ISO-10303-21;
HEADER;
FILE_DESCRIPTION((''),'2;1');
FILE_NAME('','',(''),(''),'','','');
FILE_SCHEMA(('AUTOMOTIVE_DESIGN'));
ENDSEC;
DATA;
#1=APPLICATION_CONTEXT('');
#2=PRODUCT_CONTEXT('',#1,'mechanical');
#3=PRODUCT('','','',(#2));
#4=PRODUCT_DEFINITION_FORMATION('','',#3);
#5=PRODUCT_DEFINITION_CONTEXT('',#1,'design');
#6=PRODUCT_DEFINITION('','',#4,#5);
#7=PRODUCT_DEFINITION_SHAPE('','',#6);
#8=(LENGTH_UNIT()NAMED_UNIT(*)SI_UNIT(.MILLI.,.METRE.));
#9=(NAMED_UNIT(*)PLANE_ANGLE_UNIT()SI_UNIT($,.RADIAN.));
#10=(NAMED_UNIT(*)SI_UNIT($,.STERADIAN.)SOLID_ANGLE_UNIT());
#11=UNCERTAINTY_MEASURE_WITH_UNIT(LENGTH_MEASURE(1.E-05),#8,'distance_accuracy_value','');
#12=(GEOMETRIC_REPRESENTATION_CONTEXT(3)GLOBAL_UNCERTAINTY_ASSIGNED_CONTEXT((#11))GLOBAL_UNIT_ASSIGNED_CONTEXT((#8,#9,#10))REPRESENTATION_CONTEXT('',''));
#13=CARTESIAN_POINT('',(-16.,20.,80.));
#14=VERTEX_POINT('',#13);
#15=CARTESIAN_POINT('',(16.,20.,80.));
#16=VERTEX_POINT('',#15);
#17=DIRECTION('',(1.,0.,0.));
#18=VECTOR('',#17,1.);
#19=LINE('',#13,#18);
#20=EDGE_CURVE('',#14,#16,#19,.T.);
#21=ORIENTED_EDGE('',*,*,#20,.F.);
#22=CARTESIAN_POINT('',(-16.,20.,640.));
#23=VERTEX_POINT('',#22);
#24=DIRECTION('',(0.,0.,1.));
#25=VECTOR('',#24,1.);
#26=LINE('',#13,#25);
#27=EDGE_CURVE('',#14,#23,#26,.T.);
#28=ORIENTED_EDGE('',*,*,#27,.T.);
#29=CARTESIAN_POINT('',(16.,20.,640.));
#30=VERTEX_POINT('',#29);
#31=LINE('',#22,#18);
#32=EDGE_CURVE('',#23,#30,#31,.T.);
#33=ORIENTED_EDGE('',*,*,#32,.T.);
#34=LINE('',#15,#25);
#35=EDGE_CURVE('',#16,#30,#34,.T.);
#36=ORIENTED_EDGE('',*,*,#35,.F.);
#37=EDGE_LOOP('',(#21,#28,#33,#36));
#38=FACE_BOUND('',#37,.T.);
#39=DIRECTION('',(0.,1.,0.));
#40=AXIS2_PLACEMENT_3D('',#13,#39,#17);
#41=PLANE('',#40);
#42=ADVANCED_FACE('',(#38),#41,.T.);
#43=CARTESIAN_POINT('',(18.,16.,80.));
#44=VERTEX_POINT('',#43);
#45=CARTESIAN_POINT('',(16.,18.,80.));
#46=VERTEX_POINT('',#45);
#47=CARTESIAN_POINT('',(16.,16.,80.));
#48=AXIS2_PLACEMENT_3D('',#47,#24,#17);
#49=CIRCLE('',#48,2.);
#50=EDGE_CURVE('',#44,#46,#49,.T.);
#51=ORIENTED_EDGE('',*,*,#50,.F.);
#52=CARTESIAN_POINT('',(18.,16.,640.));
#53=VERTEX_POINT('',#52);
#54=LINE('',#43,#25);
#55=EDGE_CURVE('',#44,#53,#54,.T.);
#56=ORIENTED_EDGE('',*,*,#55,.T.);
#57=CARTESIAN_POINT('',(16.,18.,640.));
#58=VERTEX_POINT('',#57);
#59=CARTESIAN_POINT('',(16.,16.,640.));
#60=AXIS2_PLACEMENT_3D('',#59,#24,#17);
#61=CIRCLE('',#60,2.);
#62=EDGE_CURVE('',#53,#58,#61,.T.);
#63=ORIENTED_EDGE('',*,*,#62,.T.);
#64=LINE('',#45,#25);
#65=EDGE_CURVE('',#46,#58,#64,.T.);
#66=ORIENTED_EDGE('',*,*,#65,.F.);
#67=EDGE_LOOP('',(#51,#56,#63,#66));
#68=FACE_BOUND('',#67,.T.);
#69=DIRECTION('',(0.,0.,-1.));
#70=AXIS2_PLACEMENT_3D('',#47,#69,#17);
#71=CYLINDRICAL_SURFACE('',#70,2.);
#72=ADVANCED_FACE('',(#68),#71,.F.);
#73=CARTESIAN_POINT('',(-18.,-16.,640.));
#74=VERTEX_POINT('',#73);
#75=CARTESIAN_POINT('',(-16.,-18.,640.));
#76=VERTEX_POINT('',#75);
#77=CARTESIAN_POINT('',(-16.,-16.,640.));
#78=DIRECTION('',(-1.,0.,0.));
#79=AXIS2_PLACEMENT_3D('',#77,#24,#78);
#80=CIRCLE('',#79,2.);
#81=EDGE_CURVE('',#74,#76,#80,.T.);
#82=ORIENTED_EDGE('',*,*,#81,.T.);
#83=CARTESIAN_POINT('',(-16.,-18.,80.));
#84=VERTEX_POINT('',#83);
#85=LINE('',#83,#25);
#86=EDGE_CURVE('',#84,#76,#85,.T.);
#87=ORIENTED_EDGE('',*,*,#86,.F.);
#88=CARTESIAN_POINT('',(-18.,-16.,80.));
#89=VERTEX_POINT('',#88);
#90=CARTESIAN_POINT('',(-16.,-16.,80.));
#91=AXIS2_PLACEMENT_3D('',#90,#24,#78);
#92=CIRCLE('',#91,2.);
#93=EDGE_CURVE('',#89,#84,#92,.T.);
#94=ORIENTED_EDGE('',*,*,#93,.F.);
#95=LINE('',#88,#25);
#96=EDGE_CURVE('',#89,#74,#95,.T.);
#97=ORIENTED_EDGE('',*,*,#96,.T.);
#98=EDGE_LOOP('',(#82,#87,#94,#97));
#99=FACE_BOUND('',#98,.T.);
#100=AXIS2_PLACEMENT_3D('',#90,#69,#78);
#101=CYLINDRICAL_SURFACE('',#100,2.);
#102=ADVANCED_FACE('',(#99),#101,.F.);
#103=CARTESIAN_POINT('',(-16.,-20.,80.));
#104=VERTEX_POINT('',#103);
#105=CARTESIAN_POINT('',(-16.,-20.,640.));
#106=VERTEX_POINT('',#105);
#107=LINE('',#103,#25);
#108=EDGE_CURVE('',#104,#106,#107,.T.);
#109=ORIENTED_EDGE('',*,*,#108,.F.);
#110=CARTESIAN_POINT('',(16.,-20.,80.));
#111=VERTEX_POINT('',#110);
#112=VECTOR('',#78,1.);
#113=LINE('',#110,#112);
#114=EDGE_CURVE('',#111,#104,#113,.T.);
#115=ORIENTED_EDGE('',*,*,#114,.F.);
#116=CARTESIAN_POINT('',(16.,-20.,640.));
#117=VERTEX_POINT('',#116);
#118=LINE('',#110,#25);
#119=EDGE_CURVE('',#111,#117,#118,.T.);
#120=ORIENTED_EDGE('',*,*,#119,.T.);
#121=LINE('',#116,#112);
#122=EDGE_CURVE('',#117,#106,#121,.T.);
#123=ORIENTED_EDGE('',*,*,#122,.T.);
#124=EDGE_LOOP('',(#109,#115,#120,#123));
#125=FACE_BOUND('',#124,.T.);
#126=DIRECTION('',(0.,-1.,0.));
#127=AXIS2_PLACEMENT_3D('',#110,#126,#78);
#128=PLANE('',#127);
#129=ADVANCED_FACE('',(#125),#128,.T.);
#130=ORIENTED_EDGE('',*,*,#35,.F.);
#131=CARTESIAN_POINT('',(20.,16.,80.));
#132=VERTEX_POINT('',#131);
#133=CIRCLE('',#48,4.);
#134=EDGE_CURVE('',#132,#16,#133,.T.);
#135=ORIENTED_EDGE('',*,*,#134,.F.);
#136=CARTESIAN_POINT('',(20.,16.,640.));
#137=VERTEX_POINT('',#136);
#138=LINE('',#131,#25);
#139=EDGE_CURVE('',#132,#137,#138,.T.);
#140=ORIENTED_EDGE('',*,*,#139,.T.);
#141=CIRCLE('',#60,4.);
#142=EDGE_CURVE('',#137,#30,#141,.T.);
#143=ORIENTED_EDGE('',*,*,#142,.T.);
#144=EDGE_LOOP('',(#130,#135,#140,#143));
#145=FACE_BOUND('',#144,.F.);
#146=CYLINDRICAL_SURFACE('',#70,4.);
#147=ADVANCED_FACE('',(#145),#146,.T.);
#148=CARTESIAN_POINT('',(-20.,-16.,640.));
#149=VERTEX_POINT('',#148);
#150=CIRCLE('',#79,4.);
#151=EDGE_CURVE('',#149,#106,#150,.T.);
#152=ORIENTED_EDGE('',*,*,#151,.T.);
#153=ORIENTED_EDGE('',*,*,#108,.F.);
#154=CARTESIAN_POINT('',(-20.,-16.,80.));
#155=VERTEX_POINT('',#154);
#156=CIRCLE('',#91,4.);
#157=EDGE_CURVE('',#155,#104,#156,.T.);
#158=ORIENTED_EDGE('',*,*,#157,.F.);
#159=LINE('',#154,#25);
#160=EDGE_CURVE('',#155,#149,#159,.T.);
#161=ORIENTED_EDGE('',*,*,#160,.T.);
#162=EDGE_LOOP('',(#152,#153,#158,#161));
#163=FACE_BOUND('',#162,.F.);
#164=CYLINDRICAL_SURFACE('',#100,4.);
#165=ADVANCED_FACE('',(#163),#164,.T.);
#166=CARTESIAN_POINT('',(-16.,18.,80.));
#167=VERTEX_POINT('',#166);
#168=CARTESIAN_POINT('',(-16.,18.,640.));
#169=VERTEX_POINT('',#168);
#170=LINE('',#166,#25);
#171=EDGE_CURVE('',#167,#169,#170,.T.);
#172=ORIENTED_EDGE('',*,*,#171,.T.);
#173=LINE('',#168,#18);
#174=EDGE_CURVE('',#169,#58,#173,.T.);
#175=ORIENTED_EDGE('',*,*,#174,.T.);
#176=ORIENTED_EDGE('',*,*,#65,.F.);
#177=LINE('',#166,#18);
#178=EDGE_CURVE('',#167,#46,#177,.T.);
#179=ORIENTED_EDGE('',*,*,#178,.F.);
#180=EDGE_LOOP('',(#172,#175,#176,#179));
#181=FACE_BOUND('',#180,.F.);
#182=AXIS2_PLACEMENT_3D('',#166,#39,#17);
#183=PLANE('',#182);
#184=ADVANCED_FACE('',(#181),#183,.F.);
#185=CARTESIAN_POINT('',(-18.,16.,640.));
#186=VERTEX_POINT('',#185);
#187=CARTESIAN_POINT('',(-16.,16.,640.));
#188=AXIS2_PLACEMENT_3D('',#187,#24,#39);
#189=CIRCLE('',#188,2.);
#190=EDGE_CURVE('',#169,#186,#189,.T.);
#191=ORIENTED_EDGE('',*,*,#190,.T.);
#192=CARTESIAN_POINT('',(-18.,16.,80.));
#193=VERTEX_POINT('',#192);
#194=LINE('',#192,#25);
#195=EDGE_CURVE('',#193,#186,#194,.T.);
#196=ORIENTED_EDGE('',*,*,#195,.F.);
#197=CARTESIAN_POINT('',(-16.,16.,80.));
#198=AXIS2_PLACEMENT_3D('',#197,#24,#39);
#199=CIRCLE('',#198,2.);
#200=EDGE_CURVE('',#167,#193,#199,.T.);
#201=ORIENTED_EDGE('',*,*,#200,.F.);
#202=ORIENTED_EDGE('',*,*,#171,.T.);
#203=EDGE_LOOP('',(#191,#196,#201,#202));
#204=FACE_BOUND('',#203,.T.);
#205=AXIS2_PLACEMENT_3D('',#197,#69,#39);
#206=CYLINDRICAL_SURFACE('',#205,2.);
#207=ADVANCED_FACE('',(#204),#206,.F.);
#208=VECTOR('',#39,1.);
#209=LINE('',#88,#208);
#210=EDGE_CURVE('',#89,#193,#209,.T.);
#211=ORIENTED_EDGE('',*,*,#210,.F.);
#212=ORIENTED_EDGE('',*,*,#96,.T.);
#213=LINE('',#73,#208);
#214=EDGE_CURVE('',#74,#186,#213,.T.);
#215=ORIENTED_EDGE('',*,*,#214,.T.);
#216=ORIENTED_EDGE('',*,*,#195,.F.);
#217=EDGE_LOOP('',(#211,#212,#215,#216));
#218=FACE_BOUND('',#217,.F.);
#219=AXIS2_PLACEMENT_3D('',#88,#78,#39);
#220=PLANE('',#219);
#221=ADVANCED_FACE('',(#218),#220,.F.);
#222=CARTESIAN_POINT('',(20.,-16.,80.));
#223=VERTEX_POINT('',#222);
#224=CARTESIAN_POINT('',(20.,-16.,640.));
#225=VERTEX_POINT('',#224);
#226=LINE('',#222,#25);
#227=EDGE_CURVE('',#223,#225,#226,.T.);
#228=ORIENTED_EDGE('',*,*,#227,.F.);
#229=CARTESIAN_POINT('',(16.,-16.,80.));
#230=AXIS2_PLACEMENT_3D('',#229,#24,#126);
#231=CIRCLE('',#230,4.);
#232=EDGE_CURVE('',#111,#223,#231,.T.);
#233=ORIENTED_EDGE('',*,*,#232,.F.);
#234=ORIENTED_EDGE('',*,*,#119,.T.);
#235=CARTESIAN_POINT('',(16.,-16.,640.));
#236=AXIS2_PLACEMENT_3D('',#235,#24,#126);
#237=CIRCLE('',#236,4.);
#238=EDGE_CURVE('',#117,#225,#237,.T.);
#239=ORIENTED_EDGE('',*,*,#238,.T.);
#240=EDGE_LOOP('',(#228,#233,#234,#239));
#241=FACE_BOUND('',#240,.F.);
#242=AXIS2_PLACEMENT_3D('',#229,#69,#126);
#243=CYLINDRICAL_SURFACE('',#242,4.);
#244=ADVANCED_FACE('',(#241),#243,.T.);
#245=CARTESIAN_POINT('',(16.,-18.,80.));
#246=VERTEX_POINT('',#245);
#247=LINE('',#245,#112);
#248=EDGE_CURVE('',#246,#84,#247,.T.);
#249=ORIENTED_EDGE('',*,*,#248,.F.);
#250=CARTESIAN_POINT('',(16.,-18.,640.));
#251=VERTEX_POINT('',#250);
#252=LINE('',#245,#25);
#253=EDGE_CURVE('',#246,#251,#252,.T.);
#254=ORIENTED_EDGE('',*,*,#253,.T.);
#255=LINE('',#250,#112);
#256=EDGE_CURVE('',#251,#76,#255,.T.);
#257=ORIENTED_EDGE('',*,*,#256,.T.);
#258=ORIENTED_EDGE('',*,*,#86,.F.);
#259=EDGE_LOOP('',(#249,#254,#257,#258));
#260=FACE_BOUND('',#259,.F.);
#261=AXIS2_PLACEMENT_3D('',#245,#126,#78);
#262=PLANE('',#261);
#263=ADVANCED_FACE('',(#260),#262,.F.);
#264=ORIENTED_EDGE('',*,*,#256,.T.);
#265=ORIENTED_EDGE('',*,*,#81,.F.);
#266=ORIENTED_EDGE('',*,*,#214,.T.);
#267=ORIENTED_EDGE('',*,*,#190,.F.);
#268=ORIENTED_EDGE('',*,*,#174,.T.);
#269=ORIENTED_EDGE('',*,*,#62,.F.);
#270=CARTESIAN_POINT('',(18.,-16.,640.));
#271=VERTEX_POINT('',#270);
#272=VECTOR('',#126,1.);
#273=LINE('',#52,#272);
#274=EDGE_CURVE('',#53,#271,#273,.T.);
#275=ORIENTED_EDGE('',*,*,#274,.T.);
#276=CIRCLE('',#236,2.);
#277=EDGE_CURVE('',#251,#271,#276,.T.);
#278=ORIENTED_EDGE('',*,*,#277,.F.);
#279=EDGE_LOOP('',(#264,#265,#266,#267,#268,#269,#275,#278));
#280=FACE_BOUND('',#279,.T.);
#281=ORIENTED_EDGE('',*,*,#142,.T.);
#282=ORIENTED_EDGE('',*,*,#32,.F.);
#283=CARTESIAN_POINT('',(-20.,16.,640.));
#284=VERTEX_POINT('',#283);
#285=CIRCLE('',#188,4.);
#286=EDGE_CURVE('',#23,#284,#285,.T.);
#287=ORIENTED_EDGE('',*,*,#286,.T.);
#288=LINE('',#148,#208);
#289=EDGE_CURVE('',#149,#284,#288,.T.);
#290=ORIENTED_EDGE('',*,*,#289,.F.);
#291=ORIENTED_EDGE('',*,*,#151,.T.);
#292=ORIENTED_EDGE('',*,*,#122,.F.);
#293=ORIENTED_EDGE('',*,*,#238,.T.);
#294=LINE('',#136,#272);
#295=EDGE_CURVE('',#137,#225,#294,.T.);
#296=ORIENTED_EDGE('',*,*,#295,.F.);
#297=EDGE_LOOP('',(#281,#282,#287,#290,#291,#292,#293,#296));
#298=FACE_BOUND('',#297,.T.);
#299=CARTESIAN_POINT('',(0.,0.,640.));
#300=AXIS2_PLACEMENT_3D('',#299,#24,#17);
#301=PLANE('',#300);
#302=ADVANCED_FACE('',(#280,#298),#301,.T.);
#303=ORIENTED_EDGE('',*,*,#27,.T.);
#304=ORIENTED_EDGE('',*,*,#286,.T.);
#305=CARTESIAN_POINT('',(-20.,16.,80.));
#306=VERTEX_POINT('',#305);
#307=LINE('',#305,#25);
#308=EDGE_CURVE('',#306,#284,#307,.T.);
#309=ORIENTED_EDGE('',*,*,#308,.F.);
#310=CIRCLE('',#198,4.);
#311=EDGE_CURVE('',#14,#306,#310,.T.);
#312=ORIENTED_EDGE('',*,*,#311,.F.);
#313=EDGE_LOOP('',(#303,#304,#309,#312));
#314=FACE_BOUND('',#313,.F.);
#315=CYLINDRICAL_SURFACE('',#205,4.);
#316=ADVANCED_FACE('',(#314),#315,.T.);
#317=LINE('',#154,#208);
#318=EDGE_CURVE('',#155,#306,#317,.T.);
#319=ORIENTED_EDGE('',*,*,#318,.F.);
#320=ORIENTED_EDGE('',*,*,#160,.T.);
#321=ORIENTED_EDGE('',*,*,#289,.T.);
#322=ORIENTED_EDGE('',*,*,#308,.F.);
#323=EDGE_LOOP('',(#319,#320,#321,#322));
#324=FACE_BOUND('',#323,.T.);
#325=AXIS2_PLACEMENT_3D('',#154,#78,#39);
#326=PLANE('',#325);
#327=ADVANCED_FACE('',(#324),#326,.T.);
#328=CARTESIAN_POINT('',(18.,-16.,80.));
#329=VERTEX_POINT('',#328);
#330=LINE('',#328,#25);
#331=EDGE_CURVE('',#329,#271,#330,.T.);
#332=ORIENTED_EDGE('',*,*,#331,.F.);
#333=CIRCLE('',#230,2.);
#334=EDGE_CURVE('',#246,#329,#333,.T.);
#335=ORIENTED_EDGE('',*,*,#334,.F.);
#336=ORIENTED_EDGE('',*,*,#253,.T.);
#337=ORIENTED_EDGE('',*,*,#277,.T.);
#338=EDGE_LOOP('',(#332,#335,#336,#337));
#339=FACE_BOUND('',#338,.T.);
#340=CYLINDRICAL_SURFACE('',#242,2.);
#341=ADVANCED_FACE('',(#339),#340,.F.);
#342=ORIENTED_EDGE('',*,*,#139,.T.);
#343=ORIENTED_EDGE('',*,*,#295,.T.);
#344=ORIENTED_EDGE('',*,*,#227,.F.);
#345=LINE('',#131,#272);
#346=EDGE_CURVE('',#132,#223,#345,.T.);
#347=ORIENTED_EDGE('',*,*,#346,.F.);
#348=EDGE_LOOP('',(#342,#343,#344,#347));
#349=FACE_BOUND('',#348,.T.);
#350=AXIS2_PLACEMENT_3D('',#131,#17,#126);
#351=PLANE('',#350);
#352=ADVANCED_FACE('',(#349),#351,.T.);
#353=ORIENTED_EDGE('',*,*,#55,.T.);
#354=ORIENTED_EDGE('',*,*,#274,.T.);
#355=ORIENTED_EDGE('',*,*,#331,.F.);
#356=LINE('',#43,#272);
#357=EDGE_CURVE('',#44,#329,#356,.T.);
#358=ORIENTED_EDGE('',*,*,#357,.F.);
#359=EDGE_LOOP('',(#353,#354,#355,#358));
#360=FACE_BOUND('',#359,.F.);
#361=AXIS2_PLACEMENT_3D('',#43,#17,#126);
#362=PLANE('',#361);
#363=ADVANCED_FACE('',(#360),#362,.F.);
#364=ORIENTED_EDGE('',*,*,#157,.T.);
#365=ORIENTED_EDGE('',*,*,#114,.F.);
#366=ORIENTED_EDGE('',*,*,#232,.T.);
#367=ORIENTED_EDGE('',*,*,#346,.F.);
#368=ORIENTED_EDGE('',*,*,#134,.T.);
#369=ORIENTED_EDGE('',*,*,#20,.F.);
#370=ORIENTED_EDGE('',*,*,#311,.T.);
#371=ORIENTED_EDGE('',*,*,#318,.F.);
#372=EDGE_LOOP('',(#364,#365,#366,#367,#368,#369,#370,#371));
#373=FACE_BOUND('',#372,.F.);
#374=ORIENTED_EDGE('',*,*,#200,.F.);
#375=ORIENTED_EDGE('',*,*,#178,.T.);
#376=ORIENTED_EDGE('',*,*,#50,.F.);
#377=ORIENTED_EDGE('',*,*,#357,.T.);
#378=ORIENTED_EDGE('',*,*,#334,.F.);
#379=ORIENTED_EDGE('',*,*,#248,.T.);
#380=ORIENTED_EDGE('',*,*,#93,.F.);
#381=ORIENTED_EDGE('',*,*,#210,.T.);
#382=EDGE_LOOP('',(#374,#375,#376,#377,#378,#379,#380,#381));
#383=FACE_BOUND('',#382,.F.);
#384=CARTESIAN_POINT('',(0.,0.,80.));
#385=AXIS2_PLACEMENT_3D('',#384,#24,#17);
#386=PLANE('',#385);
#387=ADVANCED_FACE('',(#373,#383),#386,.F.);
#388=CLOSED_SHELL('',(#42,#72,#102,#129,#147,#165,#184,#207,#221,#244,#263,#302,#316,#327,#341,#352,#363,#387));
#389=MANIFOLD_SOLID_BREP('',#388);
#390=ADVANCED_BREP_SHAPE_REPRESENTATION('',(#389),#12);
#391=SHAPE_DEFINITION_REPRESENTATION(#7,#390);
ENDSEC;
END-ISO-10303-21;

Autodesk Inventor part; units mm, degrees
ref_plane "YZ Plane" through (0, 0, 0) normal (1, 0, 0) x (0, 1, 0)
ref_plane "Start Plane" through (0, 0, 80) normal (0, 0, 1) x (1, 0, 0)
ref_plane "End Plane" through (0, 0, 640) normal (0, 0, 1) x (1, 0, 0)
sketch "Sketch" plane through (0, 0, 0) normal (0, 0, 1) x (1, 0, 0)
  line L0 (-20, -16) -> (-20, 16)
  line L1 (-16, 20) -> (16, 20)
  line L2 (20, 16) -> (20, -16)
  line L3 (16, -20) -> (-16, -20)
  arc A0 (-20, -16) -> (-16, -20) centre (-16, -16) ccw
  arc A1 (20, 16) -> (16, 20) centre (16, 16) ccw
  arc A2 (-16, 20) -> (-20, 16) centre (-16, 16) ccw
  arc A3 (16, -20) -> (20, -16) centre (16, -16) ccw
  arc A4 (-16, 18) -> (-18, 16) centre (-16, 16) ccw
  line L4 (-16, 18) -> (16, 18)
  arc A5 (18, 16) -> (16, 18) centre (16, 16) ccw
  line L5 (18, 16) -> (18, -16)
  arc A6 (16, -18) -> (18, -16) centre (16, -16) ccw
  line L6 (16, -18) -> (-16, -18)
  arc A7 (-18, -16) -> (-16, -18) centre (-16, -16) ccw
  line L7 (-18, -16) -> (-18, 16)
  line L8 (0, 29.1598) -> (0, -29.1598) construction
  line L9 (-29.1598, 0) -> (29.1598, 0) construction
  dimension "d7" = 4
  dimension "d9" = 40
  dimension "d11" = 40
  dimension "d12" = 2
  dimension "d15" = 20
  dimension "d16" = 20
extrude "Body" add sketch "Sketch" along normal up to surface (560 mm away) from surface at 80
sketch "Sketch3" plane through (0, 0, 0) normal (0, 0, 1) x (1, 0, 0)
  line L0 (0, 0) -> (10, 0)
ref_plane "Work Plane3" through (0, 0, 0) normal (0, -1, 0) x (1, 0, 0)
sketch "Sketch4" plane through (0, 0, 0) normal (0, -1, 0) x (1, 0, 0)
  line L0 (-2, 80) -> (12, 80) projected
  line L1 (-2, 640) -> (12, 640) projected
  dimension "d18" = 560
equation "\"d7\" = G_IR"
equation "\"d9\" = G_W"
equation "\"d11\" = G_H"
equation "\"d12\" = G_T"
equation "\"d15\" = 0.5 * d9"
equation "\"d16\" = 0.5 * d11"
equation "\"d3\" = G_L"
equation "\"G_W\" = 40"
equation "\"G_H\" = 40"
equation "\"G_T\" = 2"
equation "\"G_IR\" = 4"
equation "\"G_L\" = d18"
properties part number "ISO 10799-2 - 40x40x2 - 560" material "Steel, Mild"
